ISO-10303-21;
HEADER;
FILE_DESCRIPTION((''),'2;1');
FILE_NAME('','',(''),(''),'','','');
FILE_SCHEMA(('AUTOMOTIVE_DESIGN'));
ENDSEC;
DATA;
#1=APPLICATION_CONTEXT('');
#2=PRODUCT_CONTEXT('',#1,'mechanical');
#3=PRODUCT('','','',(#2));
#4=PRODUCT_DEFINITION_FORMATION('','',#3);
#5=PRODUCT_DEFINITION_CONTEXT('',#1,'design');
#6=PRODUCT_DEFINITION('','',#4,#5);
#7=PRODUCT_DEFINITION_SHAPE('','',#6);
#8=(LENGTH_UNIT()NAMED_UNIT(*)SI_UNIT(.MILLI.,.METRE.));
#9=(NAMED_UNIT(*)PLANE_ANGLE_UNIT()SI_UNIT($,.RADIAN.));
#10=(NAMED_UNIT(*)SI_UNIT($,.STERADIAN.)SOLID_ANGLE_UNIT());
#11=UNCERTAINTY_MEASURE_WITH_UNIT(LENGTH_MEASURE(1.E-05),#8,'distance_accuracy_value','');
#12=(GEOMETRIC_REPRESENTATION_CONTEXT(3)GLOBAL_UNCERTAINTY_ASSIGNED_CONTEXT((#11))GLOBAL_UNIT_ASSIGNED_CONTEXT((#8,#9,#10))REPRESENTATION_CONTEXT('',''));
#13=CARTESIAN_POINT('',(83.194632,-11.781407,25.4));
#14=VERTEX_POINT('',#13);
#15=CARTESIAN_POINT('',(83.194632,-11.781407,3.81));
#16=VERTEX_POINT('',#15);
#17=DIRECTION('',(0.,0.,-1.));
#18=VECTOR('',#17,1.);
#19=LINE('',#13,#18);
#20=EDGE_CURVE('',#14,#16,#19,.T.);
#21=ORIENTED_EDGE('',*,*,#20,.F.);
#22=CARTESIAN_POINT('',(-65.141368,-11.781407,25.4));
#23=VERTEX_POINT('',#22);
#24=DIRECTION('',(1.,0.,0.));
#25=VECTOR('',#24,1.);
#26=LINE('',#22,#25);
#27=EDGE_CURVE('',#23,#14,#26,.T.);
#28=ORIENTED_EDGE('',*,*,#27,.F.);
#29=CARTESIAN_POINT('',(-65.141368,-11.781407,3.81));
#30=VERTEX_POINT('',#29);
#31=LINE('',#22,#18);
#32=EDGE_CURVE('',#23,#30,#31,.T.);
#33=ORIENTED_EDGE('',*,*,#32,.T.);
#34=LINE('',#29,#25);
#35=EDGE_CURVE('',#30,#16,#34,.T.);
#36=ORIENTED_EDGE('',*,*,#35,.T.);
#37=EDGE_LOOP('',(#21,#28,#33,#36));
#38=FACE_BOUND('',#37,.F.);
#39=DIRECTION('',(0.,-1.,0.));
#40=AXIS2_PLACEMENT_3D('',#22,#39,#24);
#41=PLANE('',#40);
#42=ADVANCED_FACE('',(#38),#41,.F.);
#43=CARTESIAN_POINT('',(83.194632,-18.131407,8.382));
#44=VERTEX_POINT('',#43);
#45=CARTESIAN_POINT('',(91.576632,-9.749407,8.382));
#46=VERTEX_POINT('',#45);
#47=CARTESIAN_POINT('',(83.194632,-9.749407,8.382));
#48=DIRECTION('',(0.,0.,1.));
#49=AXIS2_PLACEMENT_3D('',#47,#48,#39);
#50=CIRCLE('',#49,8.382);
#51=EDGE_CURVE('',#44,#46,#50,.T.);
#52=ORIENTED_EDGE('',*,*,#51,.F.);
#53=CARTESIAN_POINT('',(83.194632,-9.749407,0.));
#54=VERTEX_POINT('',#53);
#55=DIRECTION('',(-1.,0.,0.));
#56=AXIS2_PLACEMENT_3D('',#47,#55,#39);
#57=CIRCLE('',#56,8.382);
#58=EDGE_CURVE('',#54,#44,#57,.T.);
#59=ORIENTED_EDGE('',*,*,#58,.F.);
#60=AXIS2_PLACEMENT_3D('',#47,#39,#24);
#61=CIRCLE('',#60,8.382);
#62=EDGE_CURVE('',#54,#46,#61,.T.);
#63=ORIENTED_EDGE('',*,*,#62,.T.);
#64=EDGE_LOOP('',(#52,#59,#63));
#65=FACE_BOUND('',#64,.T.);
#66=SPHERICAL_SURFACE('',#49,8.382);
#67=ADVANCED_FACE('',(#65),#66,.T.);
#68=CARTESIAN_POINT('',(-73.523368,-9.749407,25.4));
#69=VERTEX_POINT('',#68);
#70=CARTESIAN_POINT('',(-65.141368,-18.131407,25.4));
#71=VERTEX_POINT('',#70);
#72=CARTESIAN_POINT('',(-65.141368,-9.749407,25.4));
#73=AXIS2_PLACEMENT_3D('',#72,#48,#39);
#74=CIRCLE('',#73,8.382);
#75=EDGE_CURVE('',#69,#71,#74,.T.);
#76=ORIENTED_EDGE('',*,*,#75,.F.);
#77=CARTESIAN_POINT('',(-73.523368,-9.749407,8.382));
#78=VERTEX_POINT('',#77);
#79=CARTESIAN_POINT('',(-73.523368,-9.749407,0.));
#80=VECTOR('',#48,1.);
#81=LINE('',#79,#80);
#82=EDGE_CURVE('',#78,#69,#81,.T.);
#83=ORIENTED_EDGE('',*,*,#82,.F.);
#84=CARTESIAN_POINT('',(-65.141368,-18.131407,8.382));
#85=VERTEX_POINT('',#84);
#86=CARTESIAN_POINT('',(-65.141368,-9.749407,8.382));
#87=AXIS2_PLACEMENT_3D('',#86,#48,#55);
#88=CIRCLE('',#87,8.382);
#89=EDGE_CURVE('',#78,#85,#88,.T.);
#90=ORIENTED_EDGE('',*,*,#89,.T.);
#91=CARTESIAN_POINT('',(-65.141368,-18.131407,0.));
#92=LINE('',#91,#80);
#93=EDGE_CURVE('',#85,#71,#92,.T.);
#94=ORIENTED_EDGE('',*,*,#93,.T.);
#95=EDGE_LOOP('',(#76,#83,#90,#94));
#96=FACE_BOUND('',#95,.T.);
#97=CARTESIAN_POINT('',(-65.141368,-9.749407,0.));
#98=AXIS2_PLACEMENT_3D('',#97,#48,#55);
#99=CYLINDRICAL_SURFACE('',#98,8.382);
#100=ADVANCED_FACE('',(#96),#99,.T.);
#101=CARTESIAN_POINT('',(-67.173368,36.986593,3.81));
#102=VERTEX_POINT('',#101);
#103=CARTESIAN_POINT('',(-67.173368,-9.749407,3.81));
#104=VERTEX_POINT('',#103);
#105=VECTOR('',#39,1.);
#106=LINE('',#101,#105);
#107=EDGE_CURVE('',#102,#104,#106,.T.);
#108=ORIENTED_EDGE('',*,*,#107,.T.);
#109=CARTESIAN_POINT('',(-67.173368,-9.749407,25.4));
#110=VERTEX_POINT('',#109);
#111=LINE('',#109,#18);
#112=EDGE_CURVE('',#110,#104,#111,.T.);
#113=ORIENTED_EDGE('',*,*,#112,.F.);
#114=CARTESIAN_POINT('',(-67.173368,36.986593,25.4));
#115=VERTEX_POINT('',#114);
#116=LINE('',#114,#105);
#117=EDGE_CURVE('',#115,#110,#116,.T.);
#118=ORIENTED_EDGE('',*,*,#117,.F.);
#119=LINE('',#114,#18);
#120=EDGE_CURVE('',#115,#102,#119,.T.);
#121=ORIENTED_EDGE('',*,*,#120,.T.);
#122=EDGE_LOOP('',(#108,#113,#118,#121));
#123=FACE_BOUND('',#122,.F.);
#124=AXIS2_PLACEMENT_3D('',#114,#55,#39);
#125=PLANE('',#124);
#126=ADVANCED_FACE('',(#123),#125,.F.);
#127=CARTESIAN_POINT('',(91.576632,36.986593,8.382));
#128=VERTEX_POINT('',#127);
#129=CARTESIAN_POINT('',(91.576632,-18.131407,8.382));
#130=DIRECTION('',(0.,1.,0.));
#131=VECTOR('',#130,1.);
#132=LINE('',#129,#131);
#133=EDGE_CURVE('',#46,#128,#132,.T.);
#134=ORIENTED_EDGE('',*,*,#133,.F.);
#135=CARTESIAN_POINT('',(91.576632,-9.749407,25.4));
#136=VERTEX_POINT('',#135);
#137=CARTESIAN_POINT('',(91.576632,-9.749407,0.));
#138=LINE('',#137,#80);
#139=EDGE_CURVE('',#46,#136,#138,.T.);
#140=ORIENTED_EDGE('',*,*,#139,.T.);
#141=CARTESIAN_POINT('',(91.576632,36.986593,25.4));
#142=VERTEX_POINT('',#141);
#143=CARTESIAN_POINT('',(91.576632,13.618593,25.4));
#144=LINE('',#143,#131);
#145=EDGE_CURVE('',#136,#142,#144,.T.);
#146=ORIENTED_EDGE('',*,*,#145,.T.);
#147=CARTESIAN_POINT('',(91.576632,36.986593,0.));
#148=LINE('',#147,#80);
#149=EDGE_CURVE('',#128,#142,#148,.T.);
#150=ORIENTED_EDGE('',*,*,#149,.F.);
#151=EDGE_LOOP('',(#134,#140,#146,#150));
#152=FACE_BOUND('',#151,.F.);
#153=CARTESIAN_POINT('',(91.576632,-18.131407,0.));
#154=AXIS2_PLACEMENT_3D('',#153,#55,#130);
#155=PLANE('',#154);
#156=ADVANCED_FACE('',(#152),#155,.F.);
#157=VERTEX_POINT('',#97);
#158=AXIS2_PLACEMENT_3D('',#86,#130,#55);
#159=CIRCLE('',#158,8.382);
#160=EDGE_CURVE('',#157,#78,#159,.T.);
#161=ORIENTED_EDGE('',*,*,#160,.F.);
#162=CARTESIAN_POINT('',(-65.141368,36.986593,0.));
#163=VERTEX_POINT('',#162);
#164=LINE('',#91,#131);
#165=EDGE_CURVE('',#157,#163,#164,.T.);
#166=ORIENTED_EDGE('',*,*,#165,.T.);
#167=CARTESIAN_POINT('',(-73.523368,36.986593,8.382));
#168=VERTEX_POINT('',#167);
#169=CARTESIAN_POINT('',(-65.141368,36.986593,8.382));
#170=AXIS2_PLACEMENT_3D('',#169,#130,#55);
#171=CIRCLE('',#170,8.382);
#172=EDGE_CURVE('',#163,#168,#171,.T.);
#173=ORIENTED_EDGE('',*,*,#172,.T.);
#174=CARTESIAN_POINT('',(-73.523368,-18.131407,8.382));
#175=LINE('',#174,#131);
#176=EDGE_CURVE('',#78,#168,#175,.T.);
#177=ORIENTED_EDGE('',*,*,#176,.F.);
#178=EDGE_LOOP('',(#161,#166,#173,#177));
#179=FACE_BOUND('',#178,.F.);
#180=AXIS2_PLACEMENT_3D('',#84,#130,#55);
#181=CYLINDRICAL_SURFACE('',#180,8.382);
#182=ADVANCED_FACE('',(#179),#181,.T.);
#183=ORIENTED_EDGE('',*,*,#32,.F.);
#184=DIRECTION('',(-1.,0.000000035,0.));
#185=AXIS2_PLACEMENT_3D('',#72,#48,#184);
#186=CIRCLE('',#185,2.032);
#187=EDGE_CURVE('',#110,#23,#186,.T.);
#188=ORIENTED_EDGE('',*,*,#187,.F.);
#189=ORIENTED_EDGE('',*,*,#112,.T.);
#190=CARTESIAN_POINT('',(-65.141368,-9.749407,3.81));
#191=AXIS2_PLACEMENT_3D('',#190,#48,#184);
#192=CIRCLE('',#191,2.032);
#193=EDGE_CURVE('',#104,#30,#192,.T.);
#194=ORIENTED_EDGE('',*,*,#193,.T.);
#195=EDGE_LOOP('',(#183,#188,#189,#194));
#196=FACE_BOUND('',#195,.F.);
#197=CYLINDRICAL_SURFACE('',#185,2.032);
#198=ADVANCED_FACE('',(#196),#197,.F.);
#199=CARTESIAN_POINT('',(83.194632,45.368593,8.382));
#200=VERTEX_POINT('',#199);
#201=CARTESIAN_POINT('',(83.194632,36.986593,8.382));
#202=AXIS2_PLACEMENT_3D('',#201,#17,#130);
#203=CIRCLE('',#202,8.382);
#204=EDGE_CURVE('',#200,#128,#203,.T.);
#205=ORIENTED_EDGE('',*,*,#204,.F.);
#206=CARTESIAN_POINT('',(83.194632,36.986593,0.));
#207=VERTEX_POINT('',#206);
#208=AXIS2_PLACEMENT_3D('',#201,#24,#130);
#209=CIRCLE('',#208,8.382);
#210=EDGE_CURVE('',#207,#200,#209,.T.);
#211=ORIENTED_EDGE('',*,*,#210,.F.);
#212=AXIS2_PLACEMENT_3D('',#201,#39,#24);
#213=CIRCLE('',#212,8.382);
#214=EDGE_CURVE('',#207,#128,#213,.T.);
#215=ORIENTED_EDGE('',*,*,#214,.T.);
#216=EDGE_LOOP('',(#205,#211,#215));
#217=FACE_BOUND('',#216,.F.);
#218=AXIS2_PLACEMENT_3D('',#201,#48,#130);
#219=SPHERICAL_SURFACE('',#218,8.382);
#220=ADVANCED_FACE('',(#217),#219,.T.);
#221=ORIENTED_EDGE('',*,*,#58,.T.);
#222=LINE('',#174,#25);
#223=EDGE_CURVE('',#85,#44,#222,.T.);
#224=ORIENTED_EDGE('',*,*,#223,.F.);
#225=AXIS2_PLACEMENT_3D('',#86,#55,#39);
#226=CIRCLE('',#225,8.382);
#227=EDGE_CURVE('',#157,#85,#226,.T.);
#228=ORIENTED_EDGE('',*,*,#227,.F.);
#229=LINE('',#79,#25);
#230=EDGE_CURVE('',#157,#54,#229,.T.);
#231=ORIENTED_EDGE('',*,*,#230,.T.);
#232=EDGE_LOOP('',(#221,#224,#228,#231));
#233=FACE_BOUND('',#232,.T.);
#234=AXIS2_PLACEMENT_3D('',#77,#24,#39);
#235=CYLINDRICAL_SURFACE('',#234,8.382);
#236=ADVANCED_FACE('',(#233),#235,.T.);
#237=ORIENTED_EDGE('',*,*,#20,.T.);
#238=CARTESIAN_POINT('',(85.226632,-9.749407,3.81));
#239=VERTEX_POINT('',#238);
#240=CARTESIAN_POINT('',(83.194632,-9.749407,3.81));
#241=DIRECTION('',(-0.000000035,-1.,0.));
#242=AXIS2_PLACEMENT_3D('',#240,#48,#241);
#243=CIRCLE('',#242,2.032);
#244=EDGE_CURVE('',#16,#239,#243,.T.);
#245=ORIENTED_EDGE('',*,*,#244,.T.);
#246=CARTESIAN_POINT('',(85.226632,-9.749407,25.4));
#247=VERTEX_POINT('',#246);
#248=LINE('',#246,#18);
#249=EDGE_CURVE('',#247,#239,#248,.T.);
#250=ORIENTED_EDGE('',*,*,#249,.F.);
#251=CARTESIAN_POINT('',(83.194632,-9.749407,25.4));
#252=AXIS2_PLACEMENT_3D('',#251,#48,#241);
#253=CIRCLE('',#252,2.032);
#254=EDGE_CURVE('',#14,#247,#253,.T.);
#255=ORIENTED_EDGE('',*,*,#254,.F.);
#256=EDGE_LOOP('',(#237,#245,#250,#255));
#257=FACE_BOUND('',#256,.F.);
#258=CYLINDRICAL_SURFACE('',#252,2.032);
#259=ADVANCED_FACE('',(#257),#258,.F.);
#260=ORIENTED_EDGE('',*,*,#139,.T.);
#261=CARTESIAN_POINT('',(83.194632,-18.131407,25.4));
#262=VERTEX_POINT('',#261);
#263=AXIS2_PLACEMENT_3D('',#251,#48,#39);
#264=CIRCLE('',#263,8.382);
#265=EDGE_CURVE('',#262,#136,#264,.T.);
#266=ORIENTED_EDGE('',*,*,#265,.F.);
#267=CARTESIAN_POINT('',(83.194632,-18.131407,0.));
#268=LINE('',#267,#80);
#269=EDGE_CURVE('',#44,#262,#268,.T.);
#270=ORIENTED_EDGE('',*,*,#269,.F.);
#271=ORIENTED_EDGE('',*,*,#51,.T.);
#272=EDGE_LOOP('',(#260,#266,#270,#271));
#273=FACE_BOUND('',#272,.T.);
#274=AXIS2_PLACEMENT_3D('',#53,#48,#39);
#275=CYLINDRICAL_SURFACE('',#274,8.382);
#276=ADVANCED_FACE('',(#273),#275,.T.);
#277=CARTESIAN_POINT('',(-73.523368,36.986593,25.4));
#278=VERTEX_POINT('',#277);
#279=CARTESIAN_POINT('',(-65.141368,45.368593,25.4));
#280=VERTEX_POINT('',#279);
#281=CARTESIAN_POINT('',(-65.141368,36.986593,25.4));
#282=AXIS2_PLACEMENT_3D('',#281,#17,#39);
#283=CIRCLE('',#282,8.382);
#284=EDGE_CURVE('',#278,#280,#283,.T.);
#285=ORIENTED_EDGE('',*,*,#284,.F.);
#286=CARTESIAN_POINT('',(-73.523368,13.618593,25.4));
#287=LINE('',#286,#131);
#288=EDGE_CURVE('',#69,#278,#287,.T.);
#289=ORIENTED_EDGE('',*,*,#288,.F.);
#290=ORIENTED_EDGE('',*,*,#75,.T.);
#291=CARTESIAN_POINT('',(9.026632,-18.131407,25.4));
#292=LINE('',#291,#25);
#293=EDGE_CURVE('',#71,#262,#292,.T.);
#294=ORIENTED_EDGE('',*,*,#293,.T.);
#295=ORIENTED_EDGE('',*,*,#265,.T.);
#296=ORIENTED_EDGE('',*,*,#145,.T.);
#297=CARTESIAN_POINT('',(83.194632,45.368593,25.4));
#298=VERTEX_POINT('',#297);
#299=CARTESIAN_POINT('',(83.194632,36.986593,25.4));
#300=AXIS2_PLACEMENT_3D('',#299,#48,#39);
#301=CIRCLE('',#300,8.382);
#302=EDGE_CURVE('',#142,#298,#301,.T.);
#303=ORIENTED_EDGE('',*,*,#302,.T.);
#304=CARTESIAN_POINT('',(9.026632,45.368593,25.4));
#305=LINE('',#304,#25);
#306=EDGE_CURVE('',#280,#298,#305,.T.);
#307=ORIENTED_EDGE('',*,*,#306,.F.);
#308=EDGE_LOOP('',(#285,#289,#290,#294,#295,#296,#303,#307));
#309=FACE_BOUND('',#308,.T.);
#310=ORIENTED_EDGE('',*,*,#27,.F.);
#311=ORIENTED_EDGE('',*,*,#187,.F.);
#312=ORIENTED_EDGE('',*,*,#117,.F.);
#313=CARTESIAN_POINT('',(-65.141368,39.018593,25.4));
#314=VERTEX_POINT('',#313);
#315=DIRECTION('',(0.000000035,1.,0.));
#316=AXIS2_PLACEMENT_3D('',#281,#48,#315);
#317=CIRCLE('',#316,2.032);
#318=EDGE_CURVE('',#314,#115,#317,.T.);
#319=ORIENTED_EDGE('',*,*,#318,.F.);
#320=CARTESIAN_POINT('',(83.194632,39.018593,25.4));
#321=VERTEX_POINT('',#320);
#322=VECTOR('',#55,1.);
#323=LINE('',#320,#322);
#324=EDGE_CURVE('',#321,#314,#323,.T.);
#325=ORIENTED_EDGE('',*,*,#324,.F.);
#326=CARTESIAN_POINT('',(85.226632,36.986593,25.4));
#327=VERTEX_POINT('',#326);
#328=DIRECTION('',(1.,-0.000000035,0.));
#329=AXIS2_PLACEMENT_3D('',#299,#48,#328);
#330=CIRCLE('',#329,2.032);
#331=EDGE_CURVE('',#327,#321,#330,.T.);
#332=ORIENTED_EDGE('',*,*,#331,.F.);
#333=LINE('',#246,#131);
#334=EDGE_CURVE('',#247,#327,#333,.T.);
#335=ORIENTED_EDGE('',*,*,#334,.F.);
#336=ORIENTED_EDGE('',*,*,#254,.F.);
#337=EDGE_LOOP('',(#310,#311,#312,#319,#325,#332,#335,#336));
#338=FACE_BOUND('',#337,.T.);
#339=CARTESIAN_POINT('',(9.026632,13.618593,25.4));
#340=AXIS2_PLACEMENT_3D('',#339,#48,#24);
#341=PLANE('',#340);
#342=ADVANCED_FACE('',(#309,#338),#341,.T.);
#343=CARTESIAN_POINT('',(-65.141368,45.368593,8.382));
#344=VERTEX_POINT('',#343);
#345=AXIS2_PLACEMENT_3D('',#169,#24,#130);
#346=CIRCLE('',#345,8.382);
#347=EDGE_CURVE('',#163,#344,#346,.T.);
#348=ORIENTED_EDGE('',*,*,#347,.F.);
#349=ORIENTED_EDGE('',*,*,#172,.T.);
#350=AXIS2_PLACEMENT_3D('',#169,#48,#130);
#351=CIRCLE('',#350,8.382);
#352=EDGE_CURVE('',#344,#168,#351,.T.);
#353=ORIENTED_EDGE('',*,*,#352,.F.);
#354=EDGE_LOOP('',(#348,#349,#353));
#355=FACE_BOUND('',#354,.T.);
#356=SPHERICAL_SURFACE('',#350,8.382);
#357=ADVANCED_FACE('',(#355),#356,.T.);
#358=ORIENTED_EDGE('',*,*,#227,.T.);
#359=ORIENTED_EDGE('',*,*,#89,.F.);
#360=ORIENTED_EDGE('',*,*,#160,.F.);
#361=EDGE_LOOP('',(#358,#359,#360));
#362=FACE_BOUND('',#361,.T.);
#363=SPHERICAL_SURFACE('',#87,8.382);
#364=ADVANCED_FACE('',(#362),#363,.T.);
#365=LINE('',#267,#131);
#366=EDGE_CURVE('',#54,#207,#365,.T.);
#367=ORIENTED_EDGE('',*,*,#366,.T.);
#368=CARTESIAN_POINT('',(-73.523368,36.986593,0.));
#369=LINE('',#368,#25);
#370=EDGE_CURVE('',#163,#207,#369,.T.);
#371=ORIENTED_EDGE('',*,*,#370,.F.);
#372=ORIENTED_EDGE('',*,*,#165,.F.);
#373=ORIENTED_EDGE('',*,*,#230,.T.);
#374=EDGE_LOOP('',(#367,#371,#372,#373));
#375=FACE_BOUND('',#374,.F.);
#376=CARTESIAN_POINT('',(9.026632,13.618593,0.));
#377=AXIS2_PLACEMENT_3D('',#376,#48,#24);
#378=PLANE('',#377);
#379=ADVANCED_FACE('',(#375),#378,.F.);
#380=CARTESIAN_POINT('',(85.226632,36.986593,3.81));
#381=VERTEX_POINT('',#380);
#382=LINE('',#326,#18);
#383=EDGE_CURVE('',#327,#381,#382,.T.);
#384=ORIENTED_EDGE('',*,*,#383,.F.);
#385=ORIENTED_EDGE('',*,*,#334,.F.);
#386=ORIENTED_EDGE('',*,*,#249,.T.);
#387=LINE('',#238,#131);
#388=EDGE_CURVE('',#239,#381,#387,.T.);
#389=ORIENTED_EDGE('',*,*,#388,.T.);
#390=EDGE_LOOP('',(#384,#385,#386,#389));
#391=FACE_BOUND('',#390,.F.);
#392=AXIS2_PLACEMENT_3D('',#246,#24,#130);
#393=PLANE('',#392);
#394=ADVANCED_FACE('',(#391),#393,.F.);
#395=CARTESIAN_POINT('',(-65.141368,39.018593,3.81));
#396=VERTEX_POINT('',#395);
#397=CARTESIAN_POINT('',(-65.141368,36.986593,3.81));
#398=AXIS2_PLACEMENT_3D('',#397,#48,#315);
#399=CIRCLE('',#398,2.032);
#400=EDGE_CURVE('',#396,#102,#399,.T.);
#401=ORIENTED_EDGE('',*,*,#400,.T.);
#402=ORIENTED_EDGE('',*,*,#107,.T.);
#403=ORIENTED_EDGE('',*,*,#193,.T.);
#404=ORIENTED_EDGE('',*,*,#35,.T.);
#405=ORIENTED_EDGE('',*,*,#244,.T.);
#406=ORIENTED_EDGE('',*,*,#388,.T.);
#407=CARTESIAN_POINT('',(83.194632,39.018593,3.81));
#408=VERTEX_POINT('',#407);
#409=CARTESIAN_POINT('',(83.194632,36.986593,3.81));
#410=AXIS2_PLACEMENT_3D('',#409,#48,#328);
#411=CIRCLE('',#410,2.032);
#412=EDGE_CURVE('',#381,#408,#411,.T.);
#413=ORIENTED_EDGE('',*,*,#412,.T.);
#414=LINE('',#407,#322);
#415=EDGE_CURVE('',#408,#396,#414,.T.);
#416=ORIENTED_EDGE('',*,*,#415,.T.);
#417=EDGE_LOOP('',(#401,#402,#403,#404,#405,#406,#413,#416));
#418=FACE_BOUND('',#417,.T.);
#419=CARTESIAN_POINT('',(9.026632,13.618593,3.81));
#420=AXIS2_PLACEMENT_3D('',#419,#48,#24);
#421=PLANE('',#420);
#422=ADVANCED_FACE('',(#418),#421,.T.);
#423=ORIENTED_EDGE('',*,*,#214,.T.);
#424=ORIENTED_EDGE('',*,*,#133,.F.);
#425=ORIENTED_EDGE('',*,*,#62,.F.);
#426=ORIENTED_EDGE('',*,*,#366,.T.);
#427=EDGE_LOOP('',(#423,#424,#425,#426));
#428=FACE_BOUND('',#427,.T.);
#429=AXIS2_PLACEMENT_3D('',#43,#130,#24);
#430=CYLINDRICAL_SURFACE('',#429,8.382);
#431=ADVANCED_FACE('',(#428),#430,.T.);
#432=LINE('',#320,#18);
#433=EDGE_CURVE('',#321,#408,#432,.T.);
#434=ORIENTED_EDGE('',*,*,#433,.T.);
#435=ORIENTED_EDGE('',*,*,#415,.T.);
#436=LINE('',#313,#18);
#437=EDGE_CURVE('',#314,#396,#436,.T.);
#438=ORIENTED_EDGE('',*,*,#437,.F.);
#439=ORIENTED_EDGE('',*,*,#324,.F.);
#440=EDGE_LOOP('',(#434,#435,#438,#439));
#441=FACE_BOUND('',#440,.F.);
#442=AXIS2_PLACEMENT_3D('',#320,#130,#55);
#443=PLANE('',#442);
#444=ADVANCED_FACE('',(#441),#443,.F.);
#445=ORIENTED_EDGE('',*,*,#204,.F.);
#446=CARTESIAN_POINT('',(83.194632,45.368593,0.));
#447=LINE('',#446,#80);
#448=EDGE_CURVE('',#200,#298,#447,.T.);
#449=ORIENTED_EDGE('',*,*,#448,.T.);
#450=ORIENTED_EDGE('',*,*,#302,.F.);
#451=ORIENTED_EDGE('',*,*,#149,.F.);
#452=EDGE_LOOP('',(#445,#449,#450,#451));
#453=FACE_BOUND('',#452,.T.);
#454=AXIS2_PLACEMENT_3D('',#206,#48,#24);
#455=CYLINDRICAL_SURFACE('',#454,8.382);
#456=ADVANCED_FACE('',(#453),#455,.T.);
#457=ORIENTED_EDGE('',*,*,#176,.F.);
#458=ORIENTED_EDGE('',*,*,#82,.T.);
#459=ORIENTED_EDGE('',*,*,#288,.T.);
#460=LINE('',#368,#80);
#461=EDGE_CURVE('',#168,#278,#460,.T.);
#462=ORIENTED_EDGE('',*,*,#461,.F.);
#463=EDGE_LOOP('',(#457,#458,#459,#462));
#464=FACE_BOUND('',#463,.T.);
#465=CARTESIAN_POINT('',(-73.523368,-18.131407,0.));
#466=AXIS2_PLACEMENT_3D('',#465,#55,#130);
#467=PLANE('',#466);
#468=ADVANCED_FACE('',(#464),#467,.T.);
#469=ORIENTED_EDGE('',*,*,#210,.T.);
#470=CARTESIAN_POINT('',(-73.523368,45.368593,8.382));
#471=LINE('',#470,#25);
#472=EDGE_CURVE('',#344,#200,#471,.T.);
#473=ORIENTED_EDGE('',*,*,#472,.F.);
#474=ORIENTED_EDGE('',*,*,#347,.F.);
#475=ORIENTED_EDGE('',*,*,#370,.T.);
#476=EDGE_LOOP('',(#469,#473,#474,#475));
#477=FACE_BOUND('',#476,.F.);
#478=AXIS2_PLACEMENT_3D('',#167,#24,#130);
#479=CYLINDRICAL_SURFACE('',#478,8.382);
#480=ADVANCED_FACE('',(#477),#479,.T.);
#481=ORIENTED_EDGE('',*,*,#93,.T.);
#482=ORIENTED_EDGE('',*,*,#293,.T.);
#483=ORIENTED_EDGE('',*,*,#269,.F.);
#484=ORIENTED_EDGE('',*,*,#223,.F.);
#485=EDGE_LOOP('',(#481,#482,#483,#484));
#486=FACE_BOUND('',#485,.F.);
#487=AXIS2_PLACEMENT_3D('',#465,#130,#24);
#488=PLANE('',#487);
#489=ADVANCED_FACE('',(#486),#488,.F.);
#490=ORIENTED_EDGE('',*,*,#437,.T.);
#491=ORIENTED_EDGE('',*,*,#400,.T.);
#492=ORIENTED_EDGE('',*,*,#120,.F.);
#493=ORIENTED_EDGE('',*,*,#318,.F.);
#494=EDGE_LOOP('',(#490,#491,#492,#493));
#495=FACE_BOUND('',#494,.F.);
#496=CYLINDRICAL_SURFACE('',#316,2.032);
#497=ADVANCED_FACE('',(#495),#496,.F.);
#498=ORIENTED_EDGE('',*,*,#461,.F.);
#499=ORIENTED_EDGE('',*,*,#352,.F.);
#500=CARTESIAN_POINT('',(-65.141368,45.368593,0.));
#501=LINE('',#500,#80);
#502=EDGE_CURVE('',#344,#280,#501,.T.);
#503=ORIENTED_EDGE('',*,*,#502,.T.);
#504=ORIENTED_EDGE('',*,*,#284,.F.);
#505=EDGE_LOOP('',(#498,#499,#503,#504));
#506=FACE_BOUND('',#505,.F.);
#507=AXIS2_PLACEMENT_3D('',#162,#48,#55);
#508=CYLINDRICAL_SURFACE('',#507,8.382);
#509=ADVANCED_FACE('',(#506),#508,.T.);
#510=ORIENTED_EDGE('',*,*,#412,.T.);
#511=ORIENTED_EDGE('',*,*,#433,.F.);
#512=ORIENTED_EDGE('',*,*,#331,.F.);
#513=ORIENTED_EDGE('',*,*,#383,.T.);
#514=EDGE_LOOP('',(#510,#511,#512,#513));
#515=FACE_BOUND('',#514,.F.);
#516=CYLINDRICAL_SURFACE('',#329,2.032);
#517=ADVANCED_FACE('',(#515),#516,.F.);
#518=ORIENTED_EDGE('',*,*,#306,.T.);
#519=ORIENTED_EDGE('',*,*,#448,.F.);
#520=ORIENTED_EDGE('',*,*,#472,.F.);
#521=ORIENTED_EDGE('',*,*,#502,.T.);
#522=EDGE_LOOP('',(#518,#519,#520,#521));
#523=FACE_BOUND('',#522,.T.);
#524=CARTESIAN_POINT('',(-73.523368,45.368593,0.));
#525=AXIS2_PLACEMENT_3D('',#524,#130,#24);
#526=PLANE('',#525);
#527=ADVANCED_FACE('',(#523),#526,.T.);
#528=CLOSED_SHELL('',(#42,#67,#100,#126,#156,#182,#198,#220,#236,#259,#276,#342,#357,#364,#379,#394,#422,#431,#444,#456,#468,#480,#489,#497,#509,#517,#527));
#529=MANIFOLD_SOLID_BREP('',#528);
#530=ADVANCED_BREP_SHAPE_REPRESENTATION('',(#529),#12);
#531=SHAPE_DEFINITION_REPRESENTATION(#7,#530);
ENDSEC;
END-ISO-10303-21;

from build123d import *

# Parameters (mm, degrees)
F0_W     = 165.1
F0_H     = 63.5
F1_DEPTH = 25.4
F2_R     = 8.382
F4_DEPTH = 21.59


with BuildPart() as f1:
    # F0 (on Top) → F1 (new body)
    with BuildSketch(Plane.XY):
        with Locations((9.026632, 13.618593)):
            Rectangle(F0_W, F0_H)
    extrude(amount=F1_DEPTH)

    # F2
    f2_edges = [f1.edges().sort_by_distance(p)[0] for p in [
        (91.576632, -18.131407, 12.7),
        (91.576632, 45.368593, 12.7),
        (-73.523368, 45.368593, 12.7),
        (-73.523368, -18.131407, 12.7),
        (9.026632, 45.368593, 0),
        (-73.523368, 13.618593, 0),
        (9.026632, -18.131407, 0),
        (91.576632, 13.618593, 0),
    ]]
    fillet(f2_edges, radius=F2_R)

    # F3 (on face) → F4 (cut)
    with BuildSketch(Plane.XY.offset(25.4)):
        with BuildLine():
            Line((85.226632, -9.749407), (85.226632, 36.986593))
            ThreePointArc((85.226632, 36.986593), (84.631473, 38.423434), (83.194632, 39.018593))
            Line((83.194632, 39.018593), (-65.141368, 39.018593))
            ThreePointArc((-65.141368, 39.018593), (-66.578209, 38.423434), (-67.173368, 36.986593))
            Line((-67.173368, 36.986593), (-67.173368, -9.749407))
            ThreePointArc((-67.173368, -9.749407), (-66.578209, -11.186248), (-65.141368, -11.781407))
            Line((-65.141368, -11.781407), (83.194632, -11.781407))
            ThreePointArc((83.194632, -11.781407), (84.631473, -11.186248), (85.226632, -9.749407))
        make_face()
    extrude(amount=-F4_DEPTH, mode=Mode.SUBTRACT)


solid = f1.part
